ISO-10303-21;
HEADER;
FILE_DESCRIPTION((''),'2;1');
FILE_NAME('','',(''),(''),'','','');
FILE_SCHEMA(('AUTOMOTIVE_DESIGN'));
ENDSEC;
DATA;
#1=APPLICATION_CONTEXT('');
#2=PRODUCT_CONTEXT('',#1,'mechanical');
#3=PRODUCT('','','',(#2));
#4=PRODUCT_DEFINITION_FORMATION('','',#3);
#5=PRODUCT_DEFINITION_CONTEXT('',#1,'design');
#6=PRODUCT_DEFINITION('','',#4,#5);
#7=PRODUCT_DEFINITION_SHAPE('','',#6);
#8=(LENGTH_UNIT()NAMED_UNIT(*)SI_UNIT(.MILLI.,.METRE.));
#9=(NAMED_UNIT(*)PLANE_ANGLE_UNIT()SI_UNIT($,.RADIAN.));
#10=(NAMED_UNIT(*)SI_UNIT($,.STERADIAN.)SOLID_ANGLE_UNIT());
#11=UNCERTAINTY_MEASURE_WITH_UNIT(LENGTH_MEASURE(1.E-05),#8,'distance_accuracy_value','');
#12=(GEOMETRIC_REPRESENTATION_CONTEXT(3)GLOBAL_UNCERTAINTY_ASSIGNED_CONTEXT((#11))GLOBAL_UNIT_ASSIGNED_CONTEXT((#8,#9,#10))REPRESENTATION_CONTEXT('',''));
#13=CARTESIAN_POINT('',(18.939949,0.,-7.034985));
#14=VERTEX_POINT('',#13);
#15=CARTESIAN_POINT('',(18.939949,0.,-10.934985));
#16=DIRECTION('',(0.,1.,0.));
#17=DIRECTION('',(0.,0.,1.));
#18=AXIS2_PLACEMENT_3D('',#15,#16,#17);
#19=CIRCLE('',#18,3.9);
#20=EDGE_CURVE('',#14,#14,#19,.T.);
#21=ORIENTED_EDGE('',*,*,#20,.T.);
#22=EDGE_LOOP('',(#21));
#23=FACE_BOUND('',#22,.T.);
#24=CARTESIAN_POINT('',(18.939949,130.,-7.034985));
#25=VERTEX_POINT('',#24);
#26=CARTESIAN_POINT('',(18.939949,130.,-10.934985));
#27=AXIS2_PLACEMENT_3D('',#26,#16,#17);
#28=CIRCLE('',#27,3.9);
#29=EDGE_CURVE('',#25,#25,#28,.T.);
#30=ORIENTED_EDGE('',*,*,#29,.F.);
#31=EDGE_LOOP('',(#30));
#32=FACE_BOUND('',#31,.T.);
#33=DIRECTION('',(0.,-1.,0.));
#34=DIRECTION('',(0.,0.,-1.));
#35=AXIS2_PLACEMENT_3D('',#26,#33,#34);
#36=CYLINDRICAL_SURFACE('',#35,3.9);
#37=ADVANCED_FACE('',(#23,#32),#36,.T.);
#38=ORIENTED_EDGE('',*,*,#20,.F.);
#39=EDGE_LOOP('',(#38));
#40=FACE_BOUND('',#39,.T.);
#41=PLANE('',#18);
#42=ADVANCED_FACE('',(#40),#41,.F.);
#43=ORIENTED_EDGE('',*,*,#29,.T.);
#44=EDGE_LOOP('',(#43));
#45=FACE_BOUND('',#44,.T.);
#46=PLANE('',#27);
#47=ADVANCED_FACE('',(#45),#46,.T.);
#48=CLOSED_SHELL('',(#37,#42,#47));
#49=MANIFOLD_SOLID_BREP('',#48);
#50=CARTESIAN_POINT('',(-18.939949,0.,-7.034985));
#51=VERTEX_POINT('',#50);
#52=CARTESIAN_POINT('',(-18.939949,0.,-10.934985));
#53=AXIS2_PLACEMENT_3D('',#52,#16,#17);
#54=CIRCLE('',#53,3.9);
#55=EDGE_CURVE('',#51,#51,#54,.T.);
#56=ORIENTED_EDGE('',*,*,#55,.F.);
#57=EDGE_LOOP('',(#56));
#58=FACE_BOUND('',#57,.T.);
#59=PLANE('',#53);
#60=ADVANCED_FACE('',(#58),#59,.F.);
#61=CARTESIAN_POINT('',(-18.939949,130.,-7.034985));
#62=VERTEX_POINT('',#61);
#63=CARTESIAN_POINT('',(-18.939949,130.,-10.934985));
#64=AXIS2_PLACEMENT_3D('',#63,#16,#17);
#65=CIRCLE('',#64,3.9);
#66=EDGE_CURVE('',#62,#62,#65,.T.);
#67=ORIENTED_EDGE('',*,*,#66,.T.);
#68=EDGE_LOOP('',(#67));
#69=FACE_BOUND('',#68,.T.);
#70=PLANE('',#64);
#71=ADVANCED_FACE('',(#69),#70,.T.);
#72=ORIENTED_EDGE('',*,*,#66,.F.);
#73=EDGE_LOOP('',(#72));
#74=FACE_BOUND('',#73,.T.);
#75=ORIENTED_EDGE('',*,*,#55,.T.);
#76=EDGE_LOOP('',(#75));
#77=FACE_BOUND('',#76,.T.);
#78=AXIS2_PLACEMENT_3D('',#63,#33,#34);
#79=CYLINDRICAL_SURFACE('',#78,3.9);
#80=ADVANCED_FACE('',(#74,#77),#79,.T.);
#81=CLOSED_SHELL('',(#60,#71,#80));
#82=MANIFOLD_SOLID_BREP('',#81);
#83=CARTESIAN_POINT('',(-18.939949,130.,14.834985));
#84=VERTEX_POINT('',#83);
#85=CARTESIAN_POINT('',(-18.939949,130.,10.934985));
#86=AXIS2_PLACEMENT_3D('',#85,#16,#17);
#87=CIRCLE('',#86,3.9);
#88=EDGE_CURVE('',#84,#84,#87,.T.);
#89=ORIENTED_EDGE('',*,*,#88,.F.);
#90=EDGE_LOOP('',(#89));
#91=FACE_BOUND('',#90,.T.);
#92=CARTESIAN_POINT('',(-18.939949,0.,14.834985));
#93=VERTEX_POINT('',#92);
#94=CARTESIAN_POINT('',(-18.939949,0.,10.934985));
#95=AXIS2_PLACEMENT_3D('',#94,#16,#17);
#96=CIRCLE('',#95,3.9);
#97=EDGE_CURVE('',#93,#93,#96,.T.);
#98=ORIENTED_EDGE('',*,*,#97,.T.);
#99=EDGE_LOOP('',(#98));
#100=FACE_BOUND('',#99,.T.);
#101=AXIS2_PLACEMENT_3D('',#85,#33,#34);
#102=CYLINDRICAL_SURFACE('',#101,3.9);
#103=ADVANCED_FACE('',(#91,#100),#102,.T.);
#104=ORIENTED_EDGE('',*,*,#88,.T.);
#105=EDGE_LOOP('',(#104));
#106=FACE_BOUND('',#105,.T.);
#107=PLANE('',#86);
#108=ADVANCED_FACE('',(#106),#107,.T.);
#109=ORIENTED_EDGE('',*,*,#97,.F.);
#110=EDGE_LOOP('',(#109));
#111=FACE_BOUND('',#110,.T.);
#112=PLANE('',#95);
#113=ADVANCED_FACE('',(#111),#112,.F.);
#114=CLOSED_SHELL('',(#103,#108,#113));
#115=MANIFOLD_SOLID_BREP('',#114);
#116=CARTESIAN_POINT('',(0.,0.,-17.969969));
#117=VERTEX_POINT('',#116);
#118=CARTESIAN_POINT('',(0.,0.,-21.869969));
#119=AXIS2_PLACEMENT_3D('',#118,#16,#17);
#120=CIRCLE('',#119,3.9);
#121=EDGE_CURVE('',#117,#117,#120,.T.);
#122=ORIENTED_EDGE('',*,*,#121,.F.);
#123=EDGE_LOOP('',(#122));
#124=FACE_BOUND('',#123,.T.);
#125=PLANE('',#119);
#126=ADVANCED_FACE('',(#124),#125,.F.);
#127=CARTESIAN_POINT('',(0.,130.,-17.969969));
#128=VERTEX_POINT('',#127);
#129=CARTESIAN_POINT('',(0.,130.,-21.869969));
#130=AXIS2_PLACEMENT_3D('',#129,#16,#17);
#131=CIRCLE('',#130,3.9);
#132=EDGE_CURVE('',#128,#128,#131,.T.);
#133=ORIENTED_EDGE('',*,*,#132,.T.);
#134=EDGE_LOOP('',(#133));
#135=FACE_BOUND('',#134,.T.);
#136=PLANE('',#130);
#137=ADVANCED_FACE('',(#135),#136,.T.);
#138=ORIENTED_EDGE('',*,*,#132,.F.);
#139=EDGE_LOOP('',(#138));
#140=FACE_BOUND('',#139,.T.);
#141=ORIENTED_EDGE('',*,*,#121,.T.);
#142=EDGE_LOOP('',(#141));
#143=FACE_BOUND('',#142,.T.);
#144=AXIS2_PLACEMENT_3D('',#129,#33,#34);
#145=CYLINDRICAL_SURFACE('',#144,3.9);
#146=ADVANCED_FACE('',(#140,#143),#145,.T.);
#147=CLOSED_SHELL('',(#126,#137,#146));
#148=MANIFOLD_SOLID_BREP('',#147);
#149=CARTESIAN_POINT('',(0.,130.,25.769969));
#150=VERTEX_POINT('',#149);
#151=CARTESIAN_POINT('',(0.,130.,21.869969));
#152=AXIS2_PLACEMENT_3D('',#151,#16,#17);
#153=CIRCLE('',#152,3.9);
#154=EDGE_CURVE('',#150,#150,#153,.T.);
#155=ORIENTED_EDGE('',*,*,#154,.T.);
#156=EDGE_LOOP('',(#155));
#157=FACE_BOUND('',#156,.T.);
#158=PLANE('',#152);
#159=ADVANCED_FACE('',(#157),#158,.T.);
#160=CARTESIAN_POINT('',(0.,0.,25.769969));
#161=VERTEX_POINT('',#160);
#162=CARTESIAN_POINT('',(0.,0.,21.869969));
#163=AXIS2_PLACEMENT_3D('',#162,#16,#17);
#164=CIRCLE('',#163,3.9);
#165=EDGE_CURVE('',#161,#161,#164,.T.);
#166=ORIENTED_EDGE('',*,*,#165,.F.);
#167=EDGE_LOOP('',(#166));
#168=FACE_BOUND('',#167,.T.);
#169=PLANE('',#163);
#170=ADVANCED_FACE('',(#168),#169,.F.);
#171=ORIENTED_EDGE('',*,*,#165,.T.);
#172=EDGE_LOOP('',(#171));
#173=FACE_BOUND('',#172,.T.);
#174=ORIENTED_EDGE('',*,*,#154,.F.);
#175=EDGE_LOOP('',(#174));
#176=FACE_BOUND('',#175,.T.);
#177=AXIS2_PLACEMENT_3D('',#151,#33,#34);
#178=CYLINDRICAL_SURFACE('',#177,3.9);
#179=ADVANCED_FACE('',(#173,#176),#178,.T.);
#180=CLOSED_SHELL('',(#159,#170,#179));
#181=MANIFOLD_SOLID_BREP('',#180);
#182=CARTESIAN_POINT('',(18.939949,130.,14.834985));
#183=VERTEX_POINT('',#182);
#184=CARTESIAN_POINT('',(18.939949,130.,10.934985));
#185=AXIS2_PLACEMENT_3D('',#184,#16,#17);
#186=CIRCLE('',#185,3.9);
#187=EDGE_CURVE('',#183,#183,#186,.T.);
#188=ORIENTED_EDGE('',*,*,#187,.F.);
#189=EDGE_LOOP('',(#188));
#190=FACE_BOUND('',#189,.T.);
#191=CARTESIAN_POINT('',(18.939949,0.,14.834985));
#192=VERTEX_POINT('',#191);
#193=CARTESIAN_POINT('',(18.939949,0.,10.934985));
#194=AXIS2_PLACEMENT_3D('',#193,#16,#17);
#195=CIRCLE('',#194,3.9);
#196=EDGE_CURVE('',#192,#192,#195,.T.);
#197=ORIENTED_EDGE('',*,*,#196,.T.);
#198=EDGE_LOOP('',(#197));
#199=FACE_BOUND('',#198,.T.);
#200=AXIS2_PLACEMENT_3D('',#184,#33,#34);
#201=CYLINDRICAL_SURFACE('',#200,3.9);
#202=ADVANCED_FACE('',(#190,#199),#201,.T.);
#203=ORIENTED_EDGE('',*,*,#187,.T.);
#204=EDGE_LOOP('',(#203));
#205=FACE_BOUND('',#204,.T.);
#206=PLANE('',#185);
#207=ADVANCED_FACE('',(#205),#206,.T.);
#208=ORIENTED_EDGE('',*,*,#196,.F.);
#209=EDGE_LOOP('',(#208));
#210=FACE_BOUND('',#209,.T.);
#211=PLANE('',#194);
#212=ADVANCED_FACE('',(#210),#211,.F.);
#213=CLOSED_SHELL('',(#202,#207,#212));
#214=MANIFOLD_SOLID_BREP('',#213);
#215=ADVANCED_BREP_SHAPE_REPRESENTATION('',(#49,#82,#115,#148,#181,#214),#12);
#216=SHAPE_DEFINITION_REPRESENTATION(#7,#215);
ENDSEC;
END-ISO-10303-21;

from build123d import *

# Parameters (mm, degrees)
SKETCH1_R             = 3.9
BOSS_EXTRUDE1_DEPTH   = 130
BOSS_EXTRUDE1_2_DEPTH = 130
BOSS_EXTRUDE1_3_DEPTH = 130
BOSS_EXTRUDE1_4_DEPTH = 130
BOSS_EXTRUDE1_5_DEPTH = 130
BOSS_EXTRUDE1_6_DEPTH = 130


with BuildPart() as part:
    # Sketch1 → Boss-Extrude1 (new body)
    with BuildSketch(Plane(origin=(0, 0, 0), x_dir=(1, 0, 0), z_dir=(0, 1, 0))):
        with Locations((0, -21.869969165)):
            Circle(SKETCH1_R)
    extrude(amount=BOSS_EXTRUDE1_DEPTH)


with BuildPart() as body_2:
    # Sketch1 → Boss-Extrude1 2 (new body)
    with BuildSketch(Plane(origin=(0, 0, 0), x_dir=(1, 0, 0), z_dir=(0, 1, 0))):
        with Locations((-18.939948877, -10.934984583)):
            Circle(SKETCH1_R)
    extrude(amount=BOSS_EXTRUDE1_2_DEPTH)


with BuildPart() as body_3:
    # Sketch1 → Boss-Extrude1 3 (new body)
    with BuildSketch(Plane(origin=(0, 0, 0), x_dir=(1, 0, 0), z_dir=(0, 1, 0))):
        with Locations((-18.939948877, 10.934984583)):
            Circle(SKETCH1_R)
    extrude(amount=BOSS_EXTRUDE1_3_DEPTH)


with BuildPart() as body_4:
    # Sketch1 → Boss-Extrude1 4 (new body)
    with BuildSketch(Plane(origin=(0, 0, 0), x_dir=(1, 0, 0), z_dir=(0, 1, 0))):
        with Locations((0, 21.869969165)):
            Circle(SKETCH1_R)
    extrude(amount=BOSS_EXTRUDE1_4_DEPTH)


with BuildPart() as body_5:
    # Sketch1 → Boss-Extrude1 5 (new body)
    with BuildSketch(Plane(origin=(0, 0, 0), x_dir=(1, 0, 0), z_dir=(0, 1, 0))):
        with Locations((18.939948877, 10.934984583)):
            Circle(SKETCH1_R)
    extrude(amount=BOSS_EXTRUDE1_5_DEPTH)


with BuildPart() as body_6:
    # Sketch1 → Boss-Extrude1 6 (new body)
    with BuildSketch(Plane(origin=(0, 0, 0), x_dir=(1, 0, 0), z_dir=(0, 1, 0))):
        with Locations((18.939948877, -10.934984583)):
            Circle(SKETCH1_R)
    extrude(amount=BOSS_EXTRUDE1_6_DEPTH)


solid = Compound([part.part, body_2.part, body_3.part, body_4.part, body_5.part, body_6.part])
